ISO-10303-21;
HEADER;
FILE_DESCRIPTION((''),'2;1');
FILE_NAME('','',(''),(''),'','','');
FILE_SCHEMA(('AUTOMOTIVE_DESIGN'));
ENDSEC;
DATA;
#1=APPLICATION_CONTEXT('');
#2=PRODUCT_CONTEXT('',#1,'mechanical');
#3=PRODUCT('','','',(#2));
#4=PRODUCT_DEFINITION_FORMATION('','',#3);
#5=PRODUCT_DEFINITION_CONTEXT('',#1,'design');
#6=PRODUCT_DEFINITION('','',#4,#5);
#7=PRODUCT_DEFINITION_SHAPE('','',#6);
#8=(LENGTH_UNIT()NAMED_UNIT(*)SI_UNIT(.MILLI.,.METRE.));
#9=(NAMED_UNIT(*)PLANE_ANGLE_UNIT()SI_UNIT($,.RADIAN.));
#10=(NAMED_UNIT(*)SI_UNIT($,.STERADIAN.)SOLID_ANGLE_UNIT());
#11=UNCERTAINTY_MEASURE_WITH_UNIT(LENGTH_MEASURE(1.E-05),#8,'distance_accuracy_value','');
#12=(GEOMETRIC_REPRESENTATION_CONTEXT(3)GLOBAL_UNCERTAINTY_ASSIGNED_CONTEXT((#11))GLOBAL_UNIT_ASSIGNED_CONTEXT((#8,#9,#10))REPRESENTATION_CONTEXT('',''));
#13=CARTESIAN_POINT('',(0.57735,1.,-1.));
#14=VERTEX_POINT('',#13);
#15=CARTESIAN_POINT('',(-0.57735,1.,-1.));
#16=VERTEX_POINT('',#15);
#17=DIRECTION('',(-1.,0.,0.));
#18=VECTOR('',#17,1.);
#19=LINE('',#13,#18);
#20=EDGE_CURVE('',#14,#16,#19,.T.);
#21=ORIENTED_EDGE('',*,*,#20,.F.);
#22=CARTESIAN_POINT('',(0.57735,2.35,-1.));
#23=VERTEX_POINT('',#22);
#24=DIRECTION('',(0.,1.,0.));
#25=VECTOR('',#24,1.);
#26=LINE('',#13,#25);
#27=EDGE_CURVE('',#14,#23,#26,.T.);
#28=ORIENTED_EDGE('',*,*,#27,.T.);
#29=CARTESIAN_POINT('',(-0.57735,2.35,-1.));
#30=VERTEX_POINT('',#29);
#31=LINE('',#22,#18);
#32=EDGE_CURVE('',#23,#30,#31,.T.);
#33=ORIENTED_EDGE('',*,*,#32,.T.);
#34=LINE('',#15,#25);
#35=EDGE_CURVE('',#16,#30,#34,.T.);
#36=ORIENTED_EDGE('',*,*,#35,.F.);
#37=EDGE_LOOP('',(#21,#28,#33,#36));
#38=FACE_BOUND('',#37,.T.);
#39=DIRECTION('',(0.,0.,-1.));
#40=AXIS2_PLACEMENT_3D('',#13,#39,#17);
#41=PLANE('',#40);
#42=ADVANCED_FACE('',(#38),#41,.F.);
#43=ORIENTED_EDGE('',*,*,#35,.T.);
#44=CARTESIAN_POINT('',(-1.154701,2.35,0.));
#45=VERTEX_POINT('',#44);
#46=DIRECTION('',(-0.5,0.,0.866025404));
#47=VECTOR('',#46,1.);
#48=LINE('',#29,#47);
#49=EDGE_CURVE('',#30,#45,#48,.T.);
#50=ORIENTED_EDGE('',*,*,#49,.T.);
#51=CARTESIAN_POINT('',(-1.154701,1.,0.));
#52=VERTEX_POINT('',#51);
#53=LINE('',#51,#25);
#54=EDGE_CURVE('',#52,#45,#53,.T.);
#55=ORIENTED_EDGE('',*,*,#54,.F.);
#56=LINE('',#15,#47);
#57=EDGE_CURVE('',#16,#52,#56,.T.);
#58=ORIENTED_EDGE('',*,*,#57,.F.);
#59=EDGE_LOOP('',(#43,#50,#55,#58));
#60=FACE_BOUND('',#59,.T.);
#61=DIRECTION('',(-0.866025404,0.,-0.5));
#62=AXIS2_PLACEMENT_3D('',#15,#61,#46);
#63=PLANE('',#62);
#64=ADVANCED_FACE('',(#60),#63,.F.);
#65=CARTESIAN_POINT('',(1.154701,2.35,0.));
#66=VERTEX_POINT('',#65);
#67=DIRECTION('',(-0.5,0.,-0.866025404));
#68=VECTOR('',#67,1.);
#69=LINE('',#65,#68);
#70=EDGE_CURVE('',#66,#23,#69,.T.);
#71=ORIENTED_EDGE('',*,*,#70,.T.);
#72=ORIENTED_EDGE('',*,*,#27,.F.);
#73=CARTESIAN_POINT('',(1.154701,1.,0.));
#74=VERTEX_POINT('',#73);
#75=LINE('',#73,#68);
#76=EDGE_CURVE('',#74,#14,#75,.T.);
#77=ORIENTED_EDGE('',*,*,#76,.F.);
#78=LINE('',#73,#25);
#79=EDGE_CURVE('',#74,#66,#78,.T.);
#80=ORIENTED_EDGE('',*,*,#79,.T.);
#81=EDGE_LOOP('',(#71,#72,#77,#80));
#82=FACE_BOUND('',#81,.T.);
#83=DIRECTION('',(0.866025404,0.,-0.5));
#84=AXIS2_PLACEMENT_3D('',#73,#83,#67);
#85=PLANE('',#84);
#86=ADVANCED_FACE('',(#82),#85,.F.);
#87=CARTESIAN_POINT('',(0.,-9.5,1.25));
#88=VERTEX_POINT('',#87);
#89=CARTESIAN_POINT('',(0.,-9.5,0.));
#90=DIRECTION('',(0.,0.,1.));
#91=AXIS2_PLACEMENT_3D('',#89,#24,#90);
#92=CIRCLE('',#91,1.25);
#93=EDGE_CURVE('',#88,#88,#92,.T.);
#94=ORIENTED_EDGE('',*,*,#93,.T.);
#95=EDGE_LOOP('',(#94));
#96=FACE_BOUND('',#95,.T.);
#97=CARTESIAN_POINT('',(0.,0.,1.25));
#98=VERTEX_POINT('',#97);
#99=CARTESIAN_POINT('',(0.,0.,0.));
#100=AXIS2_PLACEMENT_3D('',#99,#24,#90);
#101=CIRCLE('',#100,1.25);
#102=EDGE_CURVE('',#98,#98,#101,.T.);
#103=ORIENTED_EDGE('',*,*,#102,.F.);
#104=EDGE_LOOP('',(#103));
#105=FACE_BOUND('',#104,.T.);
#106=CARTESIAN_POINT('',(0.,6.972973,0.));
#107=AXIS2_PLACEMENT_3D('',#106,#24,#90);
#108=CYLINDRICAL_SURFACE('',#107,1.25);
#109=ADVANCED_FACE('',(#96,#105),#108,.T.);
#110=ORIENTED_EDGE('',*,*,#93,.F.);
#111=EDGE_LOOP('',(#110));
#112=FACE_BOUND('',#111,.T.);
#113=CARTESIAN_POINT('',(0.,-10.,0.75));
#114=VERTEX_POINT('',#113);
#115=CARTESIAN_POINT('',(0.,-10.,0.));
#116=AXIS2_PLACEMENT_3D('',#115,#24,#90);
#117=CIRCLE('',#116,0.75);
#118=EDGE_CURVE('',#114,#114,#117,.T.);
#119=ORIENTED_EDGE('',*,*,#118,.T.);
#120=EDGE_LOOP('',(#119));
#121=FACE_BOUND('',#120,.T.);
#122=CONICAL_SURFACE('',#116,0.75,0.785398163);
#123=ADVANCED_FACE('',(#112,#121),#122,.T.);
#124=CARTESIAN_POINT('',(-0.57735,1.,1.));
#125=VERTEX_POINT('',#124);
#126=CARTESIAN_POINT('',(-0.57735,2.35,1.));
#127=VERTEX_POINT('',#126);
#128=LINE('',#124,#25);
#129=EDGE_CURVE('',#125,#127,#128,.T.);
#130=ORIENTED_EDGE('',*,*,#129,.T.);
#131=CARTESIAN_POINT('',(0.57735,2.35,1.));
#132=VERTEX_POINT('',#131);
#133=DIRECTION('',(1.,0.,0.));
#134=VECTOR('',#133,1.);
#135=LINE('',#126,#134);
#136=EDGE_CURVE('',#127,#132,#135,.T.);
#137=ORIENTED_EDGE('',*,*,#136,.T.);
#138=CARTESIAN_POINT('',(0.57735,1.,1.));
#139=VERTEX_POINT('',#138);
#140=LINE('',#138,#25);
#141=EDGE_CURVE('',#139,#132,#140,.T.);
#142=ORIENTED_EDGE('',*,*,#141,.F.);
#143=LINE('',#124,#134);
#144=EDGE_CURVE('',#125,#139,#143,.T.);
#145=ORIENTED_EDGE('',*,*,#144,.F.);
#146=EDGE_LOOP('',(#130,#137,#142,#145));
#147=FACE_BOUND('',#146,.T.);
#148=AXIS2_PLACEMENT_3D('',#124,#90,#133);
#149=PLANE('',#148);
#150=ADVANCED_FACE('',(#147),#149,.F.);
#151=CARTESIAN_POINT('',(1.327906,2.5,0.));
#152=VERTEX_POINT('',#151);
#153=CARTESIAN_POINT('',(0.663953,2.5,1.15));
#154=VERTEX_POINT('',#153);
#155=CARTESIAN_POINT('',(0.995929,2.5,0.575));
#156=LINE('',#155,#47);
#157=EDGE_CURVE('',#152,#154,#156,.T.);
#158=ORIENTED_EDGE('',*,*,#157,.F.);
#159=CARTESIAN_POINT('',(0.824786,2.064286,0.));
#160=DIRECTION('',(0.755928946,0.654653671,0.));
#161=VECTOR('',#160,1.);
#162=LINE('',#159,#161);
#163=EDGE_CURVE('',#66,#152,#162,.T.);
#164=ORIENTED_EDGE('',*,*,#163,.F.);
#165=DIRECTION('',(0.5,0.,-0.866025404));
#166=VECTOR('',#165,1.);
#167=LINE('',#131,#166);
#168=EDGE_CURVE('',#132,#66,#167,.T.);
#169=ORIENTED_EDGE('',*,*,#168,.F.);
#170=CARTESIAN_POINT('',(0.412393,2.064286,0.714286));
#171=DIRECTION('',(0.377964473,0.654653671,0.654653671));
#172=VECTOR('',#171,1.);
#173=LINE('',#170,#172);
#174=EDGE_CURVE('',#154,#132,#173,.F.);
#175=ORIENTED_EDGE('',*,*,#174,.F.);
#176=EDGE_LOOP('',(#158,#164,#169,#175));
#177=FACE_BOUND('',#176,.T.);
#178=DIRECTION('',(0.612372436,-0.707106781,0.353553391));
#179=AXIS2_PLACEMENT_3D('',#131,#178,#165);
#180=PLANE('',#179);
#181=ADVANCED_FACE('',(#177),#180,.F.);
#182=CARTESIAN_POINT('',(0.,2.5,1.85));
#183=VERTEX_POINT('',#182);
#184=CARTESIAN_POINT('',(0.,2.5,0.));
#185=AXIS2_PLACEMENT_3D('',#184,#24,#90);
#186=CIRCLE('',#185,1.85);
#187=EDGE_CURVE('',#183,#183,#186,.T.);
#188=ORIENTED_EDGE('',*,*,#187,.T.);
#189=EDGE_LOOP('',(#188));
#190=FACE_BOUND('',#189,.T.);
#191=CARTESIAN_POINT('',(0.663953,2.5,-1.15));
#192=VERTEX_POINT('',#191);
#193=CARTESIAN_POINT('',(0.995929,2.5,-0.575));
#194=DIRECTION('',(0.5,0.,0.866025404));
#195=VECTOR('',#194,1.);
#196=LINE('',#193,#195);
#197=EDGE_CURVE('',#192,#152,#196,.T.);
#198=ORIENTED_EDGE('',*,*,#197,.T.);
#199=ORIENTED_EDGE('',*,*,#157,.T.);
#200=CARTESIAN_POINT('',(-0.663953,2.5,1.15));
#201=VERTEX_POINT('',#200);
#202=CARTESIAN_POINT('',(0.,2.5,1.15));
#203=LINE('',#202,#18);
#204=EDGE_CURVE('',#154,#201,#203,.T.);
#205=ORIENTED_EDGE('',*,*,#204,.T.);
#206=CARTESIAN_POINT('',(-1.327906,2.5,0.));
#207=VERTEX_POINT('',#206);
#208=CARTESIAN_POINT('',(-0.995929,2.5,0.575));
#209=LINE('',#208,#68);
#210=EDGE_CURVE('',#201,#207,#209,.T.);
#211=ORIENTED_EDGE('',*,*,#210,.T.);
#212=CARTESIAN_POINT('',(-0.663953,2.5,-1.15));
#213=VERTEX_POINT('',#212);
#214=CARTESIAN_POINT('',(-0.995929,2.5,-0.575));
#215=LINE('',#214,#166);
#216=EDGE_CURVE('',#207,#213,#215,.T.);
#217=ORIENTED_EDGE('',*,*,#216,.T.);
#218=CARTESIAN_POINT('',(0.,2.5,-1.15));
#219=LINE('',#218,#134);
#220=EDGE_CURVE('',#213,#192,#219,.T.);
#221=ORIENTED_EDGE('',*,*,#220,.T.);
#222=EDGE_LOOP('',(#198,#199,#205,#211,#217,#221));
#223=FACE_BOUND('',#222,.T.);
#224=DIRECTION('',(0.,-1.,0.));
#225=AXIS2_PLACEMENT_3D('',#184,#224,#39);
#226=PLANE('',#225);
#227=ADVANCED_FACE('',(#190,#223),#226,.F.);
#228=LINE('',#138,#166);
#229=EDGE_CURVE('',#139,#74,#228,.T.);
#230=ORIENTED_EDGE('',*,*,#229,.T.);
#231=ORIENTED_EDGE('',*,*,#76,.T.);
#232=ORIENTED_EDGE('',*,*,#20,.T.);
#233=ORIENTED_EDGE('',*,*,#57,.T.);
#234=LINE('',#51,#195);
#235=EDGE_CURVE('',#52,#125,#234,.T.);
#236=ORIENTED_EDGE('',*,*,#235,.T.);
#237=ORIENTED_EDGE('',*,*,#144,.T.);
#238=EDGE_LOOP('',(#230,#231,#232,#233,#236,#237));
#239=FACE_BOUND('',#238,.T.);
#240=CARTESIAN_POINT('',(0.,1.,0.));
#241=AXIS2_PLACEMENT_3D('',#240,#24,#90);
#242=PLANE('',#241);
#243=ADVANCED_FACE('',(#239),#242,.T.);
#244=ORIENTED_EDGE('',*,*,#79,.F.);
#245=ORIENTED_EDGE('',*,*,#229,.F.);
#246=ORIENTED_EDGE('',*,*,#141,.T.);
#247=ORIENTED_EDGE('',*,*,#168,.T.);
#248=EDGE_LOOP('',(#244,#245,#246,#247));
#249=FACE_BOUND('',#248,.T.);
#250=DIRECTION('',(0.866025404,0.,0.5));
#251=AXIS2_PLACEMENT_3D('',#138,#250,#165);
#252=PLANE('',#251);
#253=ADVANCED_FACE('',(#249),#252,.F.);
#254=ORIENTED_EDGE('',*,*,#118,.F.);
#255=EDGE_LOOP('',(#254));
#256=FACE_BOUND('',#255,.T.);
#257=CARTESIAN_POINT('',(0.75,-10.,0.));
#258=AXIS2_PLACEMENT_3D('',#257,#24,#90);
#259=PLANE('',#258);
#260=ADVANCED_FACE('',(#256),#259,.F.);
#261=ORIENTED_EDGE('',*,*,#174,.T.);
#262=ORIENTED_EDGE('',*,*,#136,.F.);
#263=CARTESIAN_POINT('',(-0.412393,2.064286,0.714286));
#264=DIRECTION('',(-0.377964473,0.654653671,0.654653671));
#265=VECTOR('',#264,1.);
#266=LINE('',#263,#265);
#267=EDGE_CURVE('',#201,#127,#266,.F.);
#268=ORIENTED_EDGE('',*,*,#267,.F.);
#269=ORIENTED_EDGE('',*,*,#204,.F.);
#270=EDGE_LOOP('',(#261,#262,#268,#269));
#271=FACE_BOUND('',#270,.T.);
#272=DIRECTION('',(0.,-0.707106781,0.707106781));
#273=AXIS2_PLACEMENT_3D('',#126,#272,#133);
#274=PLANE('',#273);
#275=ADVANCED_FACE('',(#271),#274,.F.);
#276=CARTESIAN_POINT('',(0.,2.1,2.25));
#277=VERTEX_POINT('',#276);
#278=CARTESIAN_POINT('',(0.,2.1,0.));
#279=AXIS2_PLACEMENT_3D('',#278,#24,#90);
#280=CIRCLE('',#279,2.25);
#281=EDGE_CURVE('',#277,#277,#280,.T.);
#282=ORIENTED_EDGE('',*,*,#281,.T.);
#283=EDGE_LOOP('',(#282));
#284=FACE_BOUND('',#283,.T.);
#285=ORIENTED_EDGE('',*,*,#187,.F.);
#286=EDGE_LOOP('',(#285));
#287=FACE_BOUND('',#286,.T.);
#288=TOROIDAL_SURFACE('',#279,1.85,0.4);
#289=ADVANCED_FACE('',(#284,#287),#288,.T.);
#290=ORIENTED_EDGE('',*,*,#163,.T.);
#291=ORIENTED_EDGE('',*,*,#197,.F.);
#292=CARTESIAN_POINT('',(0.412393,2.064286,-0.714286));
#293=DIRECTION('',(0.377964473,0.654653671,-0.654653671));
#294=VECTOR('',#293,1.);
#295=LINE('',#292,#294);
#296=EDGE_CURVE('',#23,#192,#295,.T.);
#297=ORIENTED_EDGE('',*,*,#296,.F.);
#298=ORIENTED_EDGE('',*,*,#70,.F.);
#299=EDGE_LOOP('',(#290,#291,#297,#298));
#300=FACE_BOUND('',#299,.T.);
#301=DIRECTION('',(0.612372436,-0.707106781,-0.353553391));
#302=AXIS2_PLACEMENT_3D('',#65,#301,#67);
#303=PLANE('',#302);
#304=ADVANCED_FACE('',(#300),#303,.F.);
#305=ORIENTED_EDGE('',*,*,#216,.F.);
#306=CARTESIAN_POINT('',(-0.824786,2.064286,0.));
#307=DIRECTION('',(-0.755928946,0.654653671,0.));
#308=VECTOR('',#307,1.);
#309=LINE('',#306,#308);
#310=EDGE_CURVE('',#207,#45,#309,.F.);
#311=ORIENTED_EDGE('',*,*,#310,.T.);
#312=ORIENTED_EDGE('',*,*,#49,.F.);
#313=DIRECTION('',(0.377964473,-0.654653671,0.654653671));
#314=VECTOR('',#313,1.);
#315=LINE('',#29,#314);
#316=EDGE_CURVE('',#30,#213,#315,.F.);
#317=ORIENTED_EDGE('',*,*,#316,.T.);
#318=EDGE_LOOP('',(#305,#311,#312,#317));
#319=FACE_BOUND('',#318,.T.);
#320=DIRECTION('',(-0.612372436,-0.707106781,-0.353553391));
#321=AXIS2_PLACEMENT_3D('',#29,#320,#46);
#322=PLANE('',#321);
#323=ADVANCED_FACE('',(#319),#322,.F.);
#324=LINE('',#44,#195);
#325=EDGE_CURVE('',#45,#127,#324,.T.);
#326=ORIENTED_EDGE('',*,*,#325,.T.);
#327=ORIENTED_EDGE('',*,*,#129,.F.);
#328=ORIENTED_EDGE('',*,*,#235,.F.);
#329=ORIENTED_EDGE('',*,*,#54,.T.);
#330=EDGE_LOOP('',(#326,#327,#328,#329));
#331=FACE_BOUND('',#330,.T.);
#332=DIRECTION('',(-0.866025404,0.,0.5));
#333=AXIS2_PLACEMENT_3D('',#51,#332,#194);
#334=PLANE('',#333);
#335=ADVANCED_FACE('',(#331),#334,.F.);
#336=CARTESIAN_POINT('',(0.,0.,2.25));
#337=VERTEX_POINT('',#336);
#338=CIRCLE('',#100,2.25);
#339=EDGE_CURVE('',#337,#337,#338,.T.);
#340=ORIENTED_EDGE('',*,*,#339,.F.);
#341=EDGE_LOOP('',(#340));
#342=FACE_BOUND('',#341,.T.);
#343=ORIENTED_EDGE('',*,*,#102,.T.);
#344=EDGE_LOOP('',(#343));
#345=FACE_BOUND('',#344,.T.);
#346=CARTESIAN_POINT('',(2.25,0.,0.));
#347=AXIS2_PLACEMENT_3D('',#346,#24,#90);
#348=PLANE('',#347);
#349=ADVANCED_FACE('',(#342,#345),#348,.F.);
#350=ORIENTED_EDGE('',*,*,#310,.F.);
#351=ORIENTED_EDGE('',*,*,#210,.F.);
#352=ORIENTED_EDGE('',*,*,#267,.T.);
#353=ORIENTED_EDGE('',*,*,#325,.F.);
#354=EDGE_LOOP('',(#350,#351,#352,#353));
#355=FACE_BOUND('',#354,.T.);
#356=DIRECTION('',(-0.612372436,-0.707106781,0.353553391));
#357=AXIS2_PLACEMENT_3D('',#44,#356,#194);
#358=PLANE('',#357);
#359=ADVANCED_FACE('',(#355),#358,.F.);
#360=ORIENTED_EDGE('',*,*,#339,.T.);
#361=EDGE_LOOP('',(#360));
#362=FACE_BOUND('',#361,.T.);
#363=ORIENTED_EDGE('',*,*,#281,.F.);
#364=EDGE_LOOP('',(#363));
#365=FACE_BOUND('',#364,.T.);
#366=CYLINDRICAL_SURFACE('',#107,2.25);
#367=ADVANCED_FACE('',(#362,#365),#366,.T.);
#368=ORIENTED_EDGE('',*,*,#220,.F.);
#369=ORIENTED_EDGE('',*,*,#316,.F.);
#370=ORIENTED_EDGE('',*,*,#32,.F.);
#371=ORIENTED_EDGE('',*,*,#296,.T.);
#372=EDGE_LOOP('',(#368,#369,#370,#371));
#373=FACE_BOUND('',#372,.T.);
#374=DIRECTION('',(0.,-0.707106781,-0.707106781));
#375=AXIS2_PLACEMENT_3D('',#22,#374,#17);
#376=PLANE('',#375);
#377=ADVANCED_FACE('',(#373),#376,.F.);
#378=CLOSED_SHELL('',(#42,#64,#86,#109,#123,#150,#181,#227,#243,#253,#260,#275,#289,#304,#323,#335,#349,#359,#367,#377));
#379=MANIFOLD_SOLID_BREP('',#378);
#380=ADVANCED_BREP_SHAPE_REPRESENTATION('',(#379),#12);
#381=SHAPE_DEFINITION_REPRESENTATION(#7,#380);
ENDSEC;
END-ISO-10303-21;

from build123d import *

# Parameters (mm, degrees)
ENL_V_MAT_EXTRU_1_DEPTH = 1.5
CHANFREIN1_SIZE         = 0.15


with BuildPart() as part:
    # Esquisse1 → Révolution1 (revolve)
    with BuildSketch(Plane.XY, mode=Mode.PRIVATE) as r_volution1_sk:
        with BuildLine():
            Line((1.25, -9.5), (0.75, -10))
            Line((0.75, -10), (0, -10))
            Line((0, -10), (0, 2.5))
            Line((0, 2.5), (1.85, 2.5))
            ThreePointArc((1.85, 2.5), (2.132842712, 2.382842712), (2.25, 2.1))
            Line((2.25, 2.1), (2.25, 0))
            Line((2.25, 0), (1.25, 0))
            Line((1.25, 0), (1.25, -9.5))
        make_face()
    revolve(r_volution1_sk.sketch.rotate(Axis((0, 6.972972973, 0), (0, -1, 0)), 90), axis=Axis((0, 6.972972973, 0), (0, -1, 0)))

    # Esquisse2 → Enlèv. mat.-Extru.1 (cut)
    with BuildSketch(Plane(origin=(0, 2.5, 0), x_dir=(1, 0, 0), z_dir=(0, 1, 0))):
        Polygon((-1.154700538, 0), (-0.577350269, -1), (0.577350269, -1), (1.154700538, 0), (0.577350269, 1), (-0.577350269, 1), align=None)
    extrude(amount=-ENL_V_MAT_EXTRU_1_DEPTH, mode=Mode.SUBTRACT)

    # Chanfrein1
    chanfrein1_edges = [part.edges().sort_by_distance(p)[0] for p in [
        (-0.866025404, 2.5, -0.5),
        (-0.866025404, 2.5, 0.5),
        (0, 2.5, 1),
        (0.866025404, 2.5, 0.5),
        (0.866025404, 2.5, -0.5),
        (0, 2.5, -1),
    ]]
    chamfer(chanfrein1_edges, length=CHANFREIN1_SIZE)


solid = part.part
